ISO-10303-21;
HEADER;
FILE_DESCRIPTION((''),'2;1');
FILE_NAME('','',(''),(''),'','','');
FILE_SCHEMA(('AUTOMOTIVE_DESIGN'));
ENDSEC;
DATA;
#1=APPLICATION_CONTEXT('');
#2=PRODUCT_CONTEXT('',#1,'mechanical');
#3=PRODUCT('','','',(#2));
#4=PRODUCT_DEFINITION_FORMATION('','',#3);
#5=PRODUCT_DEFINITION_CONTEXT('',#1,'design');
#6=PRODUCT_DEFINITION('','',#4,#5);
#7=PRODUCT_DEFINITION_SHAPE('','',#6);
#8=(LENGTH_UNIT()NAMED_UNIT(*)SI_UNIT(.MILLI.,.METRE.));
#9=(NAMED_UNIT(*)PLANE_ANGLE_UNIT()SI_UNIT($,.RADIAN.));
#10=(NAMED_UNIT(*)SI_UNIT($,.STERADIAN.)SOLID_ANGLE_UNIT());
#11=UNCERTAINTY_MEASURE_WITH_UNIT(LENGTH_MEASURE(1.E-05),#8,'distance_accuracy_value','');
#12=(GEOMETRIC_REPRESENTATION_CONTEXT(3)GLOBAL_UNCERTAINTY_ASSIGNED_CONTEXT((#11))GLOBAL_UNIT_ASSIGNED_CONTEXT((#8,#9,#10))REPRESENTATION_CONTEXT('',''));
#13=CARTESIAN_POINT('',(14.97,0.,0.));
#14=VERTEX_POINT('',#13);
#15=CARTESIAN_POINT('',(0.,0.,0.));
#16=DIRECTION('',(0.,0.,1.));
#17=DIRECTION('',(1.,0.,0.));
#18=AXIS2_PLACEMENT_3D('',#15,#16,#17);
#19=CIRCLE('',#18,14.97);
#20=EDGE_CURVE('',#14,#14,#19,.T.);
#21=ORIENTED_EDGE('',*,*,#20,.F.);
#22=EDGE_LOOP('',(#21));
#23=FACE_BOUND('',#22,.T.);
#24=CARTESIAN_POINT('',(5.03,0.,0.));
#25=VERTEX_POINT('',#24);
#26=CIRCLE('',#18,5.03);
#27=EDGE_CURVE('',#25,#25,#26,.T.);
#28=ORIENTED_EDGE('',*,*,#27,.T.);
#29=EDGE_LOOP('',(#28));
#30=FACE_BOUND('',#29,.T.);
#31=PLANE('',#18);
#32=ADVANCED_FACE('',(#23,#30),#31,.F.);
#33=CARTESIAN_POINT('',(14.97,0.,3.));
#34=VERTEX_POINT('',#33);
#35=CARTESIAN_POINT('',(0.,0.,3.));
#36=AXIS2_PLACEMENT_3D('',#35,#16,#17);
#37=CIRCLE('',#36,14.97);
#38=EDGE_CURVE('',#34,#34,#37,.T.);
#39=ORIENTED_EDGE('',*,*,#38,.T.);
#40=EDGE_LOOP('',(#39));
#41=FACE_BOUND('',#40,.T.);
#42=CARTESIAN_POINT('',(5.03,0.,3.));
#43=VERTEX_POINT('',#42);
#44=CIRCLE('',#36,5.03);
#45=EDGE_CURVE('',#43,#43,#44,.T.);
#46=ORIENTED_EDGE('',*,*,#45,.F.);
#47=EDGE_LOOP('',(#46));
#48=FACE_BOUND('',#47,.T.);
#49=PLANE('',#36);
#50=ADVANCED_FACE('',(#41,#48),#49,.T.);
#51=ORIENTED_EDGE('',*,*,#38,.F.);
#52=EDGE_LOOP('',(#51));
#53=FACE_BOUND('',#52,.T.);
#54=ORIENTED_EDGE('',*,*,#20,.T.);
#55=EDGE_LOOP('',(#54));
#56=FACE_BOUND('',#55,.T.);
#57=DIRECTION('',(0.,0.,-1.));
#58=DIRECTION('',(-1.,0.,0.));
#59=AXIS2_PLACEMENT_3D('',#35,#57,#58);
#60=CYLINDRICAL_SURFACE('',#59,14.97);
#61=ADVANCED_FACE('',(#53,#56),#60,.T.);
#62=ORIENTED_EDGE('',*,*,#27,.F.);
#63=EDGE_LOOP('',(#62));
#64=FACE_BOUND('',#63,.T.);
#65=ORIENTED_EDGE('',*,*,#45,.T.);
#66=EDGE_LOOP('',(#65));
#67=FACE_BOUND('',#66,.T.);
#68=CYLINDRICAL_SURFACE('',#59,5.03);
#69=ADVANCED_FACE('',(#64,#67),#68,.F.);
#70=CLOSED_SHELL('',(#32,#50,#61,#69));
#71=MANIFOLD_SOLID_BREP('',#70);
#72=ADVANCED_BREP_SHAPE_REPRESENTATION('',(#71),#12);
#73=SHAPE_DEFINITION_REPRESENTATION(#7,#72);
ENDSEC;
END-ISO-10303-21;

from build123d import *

# Parameters (mm, degrees)
SKETCH_1_R      = 14.97
SKETCH_1_R_2    = 5.03
EXTRUDE_1_DEPTH = 3


with BuildPart() as part:
    # 草图1 → 凸台-拉伸1 (new body)
    with BuildSketch(Plane.XY):
        Circle(SKETCH_1_R)
        Circle(SKETCH_1_R_2, mode=Mode.SUBTRACT)
    extrude(amount=EXTRUDE_1_DEPTH)


solid = part.part
